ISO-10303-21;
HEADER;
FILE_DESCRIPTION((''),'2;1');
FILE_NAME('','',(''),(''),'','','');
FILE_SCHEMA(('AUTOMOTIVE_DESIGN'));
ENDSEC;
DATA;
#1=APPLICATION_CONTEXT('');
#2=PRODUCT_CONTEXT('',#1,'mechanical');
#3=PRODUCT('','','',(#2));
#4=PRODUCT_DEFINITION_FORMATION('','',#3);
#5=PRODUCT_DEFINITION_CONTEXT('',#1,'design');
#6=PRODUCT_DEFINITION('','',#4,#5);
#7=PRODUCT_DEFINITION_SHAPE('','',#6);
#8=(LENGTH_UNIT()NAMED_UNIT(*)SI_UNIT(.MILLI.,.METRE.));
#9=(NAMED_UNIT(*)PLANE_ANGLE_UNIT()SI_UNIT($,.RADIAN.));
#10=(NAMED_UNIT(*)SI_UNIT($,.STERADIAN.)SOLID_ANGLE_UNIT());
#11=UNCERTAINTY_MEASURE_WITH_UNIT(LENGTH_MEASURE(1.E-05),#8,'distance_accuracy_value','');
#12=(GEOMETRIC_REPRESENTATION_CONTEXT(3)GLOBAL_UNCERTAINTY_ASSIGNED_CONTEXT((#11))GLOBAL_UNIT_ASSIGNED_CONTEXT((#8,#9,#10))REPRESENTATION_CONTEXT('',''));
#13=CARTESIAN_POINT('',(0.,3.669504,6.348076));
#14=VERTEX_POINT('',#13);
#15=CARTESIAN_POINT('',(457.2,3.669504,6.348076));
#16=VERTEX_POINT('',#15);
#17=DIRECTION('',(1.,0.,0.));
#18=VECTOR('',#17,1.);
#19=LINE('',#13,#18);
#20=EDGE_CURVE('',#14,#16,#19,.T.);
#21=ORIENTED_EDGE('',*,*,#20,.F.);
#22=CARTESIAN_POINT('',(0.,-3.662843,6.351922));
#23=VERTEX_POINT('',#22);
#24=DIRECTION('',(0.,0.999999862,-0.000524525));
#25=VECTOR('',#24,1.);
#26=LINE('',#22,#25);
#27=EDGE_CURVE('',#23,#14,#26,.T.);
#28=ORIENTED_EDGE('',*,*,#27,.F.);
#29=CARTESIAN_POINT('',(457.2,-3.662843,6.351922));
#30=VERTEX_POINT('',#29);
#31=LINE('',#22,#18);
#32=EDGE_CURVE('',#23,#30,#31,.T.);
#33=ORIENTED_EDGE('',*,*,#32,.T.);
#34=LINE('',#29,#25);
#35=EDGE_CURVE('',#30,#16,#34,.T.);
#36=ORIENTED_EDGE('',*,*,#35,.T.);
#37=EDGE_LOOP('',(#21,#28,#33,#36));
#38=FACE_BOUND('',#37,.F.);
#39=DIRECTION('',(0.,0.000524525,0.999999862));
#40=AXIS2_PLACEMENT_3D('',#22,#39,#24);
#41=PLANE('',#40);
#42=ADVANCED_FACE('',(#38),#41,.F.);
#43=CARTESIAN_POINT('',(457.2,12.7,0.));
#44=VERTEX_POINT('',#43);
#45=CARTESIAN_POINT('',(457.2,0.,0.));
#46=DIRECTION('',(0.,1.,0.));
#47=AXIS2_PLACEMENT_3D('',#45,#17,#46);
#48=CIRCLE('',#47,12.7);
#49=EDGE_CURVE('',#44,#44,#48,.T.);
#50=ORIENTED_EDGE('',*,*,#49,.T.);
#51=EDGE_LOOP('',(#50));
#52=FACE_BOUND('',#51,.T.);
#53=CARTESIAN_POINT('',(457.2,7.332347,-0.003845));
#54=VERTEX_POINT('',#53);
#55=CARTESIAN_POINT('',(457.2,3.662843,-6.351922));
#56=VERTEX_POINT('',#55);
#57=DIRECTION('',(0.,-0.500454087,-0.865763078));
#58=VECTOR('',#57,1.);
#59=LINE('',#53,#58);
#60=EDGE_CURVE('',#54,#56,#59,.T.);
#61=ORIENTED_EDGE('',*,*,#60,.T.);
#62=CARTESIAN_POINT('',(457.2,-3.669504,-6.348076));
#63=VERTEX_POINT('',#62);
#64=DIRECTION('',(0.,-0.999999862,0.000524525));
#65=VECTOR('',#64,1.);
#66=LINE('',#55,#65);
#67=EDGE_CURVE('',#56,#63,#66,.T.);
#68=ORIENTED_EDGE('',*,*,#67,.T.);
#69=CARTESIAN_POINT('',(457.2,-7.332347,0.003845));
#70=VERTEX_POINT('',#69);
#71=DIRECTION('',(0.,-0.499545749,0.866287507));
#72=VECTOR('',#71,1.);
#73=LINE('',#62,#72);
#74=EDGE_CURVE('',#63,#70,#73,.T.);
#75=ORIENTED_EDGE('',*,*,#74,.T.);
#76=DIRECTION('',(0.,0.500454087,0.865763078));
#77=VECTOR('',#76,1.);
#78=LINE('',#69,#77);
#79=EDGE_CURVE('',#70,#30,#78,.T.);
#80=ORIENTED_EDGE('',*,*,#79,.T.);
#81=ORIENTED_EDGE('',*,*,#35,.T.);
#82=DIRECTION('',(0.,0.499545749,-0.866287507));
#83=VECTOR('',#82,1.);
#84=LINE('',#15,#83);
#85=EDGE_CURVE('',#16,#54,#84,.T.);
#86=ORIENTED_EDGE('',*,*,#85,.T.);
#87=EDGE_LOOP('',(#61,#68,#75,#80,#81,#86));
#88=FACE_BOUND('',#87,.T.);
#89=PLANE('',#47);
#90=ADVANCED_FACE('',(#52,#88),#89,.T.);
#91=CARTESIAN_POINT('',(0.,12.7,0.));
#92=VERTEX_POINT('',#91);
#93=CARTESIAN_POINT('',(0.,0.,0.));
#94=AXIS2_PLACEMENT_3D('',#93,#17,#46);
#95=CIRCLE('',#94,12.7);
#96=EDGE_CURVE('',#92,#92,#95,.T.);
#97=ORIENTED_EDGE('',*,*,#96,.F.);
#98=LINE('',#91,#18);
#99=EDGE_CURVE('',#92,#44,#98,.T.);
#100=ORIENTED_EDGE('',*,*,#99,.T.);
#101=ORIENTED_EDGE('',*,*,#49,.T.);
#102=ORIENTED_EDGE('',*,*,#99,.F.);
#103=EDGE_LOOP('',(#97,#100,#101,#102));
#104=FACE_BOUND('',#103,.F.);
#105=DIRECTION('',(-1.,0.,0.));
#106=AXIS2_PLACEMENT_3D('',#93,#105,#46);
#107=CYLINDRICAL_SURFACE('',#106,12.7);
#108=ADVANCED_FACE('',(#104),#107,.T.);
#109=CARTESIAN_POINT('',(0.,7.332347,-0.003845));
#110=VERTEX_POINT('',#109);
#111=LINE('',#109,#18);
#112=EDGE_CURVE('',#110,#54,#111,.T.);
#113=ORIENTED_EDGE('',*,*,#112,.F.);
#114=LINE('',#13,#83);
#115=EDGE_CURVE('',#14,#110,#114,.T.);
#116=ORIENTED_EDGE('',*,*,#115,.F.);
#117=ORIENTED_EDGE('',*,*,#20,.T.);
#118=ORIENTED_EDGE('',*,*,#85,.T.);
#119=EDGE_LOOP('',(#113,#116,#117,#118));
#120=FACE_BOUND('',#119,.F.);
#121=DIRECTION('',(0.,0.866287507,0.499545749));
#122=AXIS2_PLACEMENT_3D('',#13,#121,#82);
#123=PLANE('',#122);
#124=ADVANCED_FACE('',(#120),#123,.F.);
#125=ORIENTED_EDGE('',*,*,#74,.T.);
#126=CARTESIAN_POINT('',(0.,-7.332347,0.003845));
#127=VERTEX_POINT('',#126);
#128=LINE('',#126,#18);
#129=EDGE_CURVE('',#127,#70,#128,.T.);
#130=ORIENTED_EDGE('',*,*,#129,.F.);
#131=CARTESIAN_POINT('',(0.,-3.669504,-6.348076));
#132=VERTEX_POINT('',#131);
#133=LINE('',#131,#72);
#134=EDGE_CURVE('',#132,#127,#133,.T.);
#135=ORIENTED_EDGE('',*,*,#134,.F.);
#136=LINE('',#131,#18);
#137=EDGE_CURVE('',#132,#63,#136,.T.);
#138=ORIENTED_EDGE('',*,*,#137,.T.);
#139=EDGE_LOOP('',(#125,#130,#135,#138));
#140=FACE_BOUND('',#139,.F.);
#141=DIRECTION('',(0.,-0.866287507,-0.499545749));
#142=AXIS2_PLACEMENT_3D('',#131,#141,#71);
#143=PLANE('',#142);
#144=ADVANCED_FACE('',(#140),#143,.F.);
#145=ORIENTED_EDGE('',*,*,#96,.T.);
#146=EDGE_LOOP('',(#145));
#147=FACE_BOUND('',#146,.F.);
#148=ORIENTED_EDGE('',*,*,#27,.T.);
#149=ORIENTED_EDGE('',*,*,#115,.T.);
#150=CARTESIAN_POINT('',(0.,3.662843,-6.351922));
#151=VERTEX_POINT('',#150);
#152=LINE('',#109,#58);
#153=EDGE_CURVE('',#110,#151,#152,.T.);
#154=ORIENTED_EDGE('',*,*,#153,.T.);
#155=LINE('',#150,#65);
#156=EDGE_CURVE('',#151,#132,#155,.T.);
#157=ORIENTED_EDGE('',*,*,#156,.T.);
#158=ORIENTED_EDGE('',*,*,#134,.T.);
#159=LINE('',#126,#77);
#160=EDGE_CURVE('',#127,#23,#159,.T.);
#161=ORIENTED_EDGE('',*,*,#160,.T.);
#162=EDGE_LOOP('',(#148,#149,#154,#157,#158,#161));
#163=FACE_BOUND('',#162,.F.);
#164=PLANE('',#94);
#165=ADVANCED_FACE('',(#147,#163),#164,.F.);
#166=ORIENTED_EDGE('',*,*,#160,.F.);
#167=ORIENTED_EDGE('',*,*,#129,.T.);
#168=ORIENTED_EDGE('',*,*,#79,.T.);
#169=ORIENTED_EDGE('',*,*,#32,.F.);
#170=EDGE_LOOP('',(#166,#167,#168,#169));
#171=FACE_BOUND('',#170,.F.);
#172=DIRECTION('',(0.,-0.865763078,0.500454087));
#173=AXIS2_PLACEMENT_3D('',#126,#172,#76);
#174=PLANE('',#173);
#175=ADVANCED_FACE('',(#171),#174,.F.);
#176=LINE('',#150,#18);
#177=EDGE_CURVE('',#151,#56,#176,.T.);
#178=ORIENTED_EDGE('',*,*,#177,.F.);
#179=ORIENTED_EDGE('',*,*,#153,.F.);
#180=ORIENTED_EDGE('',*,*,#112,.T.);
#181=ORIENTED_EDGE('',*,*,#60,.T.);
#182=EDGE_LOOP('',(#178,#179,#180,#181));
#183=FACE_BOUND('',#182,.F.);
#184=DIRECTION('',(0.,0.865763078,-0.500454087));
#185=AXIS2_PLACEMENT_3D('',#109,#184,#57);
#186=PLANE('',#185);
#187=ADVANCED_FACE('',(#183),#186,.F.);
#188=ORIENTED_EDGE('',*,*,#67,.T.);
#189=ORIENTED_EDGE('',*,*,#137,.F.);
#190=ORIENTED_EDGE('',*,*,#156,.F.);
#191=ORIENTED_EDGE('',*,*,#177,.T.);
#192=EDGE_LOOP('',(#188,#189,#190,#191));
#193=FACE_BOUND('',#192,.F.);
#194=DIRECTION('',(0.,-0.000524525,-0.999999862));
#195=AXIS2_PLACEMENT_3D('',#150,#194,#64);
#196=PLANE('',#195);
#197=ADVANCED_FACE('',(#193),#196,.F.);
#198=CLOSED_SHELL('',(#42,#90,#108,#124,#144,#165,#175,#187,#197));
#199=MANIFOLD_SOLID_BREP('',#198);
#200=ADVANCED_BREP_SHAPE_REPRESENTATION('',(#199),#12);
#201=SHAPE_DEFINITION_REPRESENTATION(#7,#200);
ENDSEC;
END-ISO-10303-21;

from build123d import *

# Parameters (mm, degrees)
F0_R     = 12.7
F1_DEPTH = 457.2


with BuildPart() as f1:
    # F0 (on Right) → F1 (new body)
    with BuildSketch(Plane.YZ):
        Circle(F0_R)
        Polygon((-3.662843, 6.351922), (3.669504, 6.348076), (7.332347, -0.003845), (3.662843, -6.351922), (-3.669504, -6.348076), (-7.332347, 0.003845), align=None, mode=Mode.SUBTRACT)
    extrude(amount=F1_DEPTH)


solid = f1.part
